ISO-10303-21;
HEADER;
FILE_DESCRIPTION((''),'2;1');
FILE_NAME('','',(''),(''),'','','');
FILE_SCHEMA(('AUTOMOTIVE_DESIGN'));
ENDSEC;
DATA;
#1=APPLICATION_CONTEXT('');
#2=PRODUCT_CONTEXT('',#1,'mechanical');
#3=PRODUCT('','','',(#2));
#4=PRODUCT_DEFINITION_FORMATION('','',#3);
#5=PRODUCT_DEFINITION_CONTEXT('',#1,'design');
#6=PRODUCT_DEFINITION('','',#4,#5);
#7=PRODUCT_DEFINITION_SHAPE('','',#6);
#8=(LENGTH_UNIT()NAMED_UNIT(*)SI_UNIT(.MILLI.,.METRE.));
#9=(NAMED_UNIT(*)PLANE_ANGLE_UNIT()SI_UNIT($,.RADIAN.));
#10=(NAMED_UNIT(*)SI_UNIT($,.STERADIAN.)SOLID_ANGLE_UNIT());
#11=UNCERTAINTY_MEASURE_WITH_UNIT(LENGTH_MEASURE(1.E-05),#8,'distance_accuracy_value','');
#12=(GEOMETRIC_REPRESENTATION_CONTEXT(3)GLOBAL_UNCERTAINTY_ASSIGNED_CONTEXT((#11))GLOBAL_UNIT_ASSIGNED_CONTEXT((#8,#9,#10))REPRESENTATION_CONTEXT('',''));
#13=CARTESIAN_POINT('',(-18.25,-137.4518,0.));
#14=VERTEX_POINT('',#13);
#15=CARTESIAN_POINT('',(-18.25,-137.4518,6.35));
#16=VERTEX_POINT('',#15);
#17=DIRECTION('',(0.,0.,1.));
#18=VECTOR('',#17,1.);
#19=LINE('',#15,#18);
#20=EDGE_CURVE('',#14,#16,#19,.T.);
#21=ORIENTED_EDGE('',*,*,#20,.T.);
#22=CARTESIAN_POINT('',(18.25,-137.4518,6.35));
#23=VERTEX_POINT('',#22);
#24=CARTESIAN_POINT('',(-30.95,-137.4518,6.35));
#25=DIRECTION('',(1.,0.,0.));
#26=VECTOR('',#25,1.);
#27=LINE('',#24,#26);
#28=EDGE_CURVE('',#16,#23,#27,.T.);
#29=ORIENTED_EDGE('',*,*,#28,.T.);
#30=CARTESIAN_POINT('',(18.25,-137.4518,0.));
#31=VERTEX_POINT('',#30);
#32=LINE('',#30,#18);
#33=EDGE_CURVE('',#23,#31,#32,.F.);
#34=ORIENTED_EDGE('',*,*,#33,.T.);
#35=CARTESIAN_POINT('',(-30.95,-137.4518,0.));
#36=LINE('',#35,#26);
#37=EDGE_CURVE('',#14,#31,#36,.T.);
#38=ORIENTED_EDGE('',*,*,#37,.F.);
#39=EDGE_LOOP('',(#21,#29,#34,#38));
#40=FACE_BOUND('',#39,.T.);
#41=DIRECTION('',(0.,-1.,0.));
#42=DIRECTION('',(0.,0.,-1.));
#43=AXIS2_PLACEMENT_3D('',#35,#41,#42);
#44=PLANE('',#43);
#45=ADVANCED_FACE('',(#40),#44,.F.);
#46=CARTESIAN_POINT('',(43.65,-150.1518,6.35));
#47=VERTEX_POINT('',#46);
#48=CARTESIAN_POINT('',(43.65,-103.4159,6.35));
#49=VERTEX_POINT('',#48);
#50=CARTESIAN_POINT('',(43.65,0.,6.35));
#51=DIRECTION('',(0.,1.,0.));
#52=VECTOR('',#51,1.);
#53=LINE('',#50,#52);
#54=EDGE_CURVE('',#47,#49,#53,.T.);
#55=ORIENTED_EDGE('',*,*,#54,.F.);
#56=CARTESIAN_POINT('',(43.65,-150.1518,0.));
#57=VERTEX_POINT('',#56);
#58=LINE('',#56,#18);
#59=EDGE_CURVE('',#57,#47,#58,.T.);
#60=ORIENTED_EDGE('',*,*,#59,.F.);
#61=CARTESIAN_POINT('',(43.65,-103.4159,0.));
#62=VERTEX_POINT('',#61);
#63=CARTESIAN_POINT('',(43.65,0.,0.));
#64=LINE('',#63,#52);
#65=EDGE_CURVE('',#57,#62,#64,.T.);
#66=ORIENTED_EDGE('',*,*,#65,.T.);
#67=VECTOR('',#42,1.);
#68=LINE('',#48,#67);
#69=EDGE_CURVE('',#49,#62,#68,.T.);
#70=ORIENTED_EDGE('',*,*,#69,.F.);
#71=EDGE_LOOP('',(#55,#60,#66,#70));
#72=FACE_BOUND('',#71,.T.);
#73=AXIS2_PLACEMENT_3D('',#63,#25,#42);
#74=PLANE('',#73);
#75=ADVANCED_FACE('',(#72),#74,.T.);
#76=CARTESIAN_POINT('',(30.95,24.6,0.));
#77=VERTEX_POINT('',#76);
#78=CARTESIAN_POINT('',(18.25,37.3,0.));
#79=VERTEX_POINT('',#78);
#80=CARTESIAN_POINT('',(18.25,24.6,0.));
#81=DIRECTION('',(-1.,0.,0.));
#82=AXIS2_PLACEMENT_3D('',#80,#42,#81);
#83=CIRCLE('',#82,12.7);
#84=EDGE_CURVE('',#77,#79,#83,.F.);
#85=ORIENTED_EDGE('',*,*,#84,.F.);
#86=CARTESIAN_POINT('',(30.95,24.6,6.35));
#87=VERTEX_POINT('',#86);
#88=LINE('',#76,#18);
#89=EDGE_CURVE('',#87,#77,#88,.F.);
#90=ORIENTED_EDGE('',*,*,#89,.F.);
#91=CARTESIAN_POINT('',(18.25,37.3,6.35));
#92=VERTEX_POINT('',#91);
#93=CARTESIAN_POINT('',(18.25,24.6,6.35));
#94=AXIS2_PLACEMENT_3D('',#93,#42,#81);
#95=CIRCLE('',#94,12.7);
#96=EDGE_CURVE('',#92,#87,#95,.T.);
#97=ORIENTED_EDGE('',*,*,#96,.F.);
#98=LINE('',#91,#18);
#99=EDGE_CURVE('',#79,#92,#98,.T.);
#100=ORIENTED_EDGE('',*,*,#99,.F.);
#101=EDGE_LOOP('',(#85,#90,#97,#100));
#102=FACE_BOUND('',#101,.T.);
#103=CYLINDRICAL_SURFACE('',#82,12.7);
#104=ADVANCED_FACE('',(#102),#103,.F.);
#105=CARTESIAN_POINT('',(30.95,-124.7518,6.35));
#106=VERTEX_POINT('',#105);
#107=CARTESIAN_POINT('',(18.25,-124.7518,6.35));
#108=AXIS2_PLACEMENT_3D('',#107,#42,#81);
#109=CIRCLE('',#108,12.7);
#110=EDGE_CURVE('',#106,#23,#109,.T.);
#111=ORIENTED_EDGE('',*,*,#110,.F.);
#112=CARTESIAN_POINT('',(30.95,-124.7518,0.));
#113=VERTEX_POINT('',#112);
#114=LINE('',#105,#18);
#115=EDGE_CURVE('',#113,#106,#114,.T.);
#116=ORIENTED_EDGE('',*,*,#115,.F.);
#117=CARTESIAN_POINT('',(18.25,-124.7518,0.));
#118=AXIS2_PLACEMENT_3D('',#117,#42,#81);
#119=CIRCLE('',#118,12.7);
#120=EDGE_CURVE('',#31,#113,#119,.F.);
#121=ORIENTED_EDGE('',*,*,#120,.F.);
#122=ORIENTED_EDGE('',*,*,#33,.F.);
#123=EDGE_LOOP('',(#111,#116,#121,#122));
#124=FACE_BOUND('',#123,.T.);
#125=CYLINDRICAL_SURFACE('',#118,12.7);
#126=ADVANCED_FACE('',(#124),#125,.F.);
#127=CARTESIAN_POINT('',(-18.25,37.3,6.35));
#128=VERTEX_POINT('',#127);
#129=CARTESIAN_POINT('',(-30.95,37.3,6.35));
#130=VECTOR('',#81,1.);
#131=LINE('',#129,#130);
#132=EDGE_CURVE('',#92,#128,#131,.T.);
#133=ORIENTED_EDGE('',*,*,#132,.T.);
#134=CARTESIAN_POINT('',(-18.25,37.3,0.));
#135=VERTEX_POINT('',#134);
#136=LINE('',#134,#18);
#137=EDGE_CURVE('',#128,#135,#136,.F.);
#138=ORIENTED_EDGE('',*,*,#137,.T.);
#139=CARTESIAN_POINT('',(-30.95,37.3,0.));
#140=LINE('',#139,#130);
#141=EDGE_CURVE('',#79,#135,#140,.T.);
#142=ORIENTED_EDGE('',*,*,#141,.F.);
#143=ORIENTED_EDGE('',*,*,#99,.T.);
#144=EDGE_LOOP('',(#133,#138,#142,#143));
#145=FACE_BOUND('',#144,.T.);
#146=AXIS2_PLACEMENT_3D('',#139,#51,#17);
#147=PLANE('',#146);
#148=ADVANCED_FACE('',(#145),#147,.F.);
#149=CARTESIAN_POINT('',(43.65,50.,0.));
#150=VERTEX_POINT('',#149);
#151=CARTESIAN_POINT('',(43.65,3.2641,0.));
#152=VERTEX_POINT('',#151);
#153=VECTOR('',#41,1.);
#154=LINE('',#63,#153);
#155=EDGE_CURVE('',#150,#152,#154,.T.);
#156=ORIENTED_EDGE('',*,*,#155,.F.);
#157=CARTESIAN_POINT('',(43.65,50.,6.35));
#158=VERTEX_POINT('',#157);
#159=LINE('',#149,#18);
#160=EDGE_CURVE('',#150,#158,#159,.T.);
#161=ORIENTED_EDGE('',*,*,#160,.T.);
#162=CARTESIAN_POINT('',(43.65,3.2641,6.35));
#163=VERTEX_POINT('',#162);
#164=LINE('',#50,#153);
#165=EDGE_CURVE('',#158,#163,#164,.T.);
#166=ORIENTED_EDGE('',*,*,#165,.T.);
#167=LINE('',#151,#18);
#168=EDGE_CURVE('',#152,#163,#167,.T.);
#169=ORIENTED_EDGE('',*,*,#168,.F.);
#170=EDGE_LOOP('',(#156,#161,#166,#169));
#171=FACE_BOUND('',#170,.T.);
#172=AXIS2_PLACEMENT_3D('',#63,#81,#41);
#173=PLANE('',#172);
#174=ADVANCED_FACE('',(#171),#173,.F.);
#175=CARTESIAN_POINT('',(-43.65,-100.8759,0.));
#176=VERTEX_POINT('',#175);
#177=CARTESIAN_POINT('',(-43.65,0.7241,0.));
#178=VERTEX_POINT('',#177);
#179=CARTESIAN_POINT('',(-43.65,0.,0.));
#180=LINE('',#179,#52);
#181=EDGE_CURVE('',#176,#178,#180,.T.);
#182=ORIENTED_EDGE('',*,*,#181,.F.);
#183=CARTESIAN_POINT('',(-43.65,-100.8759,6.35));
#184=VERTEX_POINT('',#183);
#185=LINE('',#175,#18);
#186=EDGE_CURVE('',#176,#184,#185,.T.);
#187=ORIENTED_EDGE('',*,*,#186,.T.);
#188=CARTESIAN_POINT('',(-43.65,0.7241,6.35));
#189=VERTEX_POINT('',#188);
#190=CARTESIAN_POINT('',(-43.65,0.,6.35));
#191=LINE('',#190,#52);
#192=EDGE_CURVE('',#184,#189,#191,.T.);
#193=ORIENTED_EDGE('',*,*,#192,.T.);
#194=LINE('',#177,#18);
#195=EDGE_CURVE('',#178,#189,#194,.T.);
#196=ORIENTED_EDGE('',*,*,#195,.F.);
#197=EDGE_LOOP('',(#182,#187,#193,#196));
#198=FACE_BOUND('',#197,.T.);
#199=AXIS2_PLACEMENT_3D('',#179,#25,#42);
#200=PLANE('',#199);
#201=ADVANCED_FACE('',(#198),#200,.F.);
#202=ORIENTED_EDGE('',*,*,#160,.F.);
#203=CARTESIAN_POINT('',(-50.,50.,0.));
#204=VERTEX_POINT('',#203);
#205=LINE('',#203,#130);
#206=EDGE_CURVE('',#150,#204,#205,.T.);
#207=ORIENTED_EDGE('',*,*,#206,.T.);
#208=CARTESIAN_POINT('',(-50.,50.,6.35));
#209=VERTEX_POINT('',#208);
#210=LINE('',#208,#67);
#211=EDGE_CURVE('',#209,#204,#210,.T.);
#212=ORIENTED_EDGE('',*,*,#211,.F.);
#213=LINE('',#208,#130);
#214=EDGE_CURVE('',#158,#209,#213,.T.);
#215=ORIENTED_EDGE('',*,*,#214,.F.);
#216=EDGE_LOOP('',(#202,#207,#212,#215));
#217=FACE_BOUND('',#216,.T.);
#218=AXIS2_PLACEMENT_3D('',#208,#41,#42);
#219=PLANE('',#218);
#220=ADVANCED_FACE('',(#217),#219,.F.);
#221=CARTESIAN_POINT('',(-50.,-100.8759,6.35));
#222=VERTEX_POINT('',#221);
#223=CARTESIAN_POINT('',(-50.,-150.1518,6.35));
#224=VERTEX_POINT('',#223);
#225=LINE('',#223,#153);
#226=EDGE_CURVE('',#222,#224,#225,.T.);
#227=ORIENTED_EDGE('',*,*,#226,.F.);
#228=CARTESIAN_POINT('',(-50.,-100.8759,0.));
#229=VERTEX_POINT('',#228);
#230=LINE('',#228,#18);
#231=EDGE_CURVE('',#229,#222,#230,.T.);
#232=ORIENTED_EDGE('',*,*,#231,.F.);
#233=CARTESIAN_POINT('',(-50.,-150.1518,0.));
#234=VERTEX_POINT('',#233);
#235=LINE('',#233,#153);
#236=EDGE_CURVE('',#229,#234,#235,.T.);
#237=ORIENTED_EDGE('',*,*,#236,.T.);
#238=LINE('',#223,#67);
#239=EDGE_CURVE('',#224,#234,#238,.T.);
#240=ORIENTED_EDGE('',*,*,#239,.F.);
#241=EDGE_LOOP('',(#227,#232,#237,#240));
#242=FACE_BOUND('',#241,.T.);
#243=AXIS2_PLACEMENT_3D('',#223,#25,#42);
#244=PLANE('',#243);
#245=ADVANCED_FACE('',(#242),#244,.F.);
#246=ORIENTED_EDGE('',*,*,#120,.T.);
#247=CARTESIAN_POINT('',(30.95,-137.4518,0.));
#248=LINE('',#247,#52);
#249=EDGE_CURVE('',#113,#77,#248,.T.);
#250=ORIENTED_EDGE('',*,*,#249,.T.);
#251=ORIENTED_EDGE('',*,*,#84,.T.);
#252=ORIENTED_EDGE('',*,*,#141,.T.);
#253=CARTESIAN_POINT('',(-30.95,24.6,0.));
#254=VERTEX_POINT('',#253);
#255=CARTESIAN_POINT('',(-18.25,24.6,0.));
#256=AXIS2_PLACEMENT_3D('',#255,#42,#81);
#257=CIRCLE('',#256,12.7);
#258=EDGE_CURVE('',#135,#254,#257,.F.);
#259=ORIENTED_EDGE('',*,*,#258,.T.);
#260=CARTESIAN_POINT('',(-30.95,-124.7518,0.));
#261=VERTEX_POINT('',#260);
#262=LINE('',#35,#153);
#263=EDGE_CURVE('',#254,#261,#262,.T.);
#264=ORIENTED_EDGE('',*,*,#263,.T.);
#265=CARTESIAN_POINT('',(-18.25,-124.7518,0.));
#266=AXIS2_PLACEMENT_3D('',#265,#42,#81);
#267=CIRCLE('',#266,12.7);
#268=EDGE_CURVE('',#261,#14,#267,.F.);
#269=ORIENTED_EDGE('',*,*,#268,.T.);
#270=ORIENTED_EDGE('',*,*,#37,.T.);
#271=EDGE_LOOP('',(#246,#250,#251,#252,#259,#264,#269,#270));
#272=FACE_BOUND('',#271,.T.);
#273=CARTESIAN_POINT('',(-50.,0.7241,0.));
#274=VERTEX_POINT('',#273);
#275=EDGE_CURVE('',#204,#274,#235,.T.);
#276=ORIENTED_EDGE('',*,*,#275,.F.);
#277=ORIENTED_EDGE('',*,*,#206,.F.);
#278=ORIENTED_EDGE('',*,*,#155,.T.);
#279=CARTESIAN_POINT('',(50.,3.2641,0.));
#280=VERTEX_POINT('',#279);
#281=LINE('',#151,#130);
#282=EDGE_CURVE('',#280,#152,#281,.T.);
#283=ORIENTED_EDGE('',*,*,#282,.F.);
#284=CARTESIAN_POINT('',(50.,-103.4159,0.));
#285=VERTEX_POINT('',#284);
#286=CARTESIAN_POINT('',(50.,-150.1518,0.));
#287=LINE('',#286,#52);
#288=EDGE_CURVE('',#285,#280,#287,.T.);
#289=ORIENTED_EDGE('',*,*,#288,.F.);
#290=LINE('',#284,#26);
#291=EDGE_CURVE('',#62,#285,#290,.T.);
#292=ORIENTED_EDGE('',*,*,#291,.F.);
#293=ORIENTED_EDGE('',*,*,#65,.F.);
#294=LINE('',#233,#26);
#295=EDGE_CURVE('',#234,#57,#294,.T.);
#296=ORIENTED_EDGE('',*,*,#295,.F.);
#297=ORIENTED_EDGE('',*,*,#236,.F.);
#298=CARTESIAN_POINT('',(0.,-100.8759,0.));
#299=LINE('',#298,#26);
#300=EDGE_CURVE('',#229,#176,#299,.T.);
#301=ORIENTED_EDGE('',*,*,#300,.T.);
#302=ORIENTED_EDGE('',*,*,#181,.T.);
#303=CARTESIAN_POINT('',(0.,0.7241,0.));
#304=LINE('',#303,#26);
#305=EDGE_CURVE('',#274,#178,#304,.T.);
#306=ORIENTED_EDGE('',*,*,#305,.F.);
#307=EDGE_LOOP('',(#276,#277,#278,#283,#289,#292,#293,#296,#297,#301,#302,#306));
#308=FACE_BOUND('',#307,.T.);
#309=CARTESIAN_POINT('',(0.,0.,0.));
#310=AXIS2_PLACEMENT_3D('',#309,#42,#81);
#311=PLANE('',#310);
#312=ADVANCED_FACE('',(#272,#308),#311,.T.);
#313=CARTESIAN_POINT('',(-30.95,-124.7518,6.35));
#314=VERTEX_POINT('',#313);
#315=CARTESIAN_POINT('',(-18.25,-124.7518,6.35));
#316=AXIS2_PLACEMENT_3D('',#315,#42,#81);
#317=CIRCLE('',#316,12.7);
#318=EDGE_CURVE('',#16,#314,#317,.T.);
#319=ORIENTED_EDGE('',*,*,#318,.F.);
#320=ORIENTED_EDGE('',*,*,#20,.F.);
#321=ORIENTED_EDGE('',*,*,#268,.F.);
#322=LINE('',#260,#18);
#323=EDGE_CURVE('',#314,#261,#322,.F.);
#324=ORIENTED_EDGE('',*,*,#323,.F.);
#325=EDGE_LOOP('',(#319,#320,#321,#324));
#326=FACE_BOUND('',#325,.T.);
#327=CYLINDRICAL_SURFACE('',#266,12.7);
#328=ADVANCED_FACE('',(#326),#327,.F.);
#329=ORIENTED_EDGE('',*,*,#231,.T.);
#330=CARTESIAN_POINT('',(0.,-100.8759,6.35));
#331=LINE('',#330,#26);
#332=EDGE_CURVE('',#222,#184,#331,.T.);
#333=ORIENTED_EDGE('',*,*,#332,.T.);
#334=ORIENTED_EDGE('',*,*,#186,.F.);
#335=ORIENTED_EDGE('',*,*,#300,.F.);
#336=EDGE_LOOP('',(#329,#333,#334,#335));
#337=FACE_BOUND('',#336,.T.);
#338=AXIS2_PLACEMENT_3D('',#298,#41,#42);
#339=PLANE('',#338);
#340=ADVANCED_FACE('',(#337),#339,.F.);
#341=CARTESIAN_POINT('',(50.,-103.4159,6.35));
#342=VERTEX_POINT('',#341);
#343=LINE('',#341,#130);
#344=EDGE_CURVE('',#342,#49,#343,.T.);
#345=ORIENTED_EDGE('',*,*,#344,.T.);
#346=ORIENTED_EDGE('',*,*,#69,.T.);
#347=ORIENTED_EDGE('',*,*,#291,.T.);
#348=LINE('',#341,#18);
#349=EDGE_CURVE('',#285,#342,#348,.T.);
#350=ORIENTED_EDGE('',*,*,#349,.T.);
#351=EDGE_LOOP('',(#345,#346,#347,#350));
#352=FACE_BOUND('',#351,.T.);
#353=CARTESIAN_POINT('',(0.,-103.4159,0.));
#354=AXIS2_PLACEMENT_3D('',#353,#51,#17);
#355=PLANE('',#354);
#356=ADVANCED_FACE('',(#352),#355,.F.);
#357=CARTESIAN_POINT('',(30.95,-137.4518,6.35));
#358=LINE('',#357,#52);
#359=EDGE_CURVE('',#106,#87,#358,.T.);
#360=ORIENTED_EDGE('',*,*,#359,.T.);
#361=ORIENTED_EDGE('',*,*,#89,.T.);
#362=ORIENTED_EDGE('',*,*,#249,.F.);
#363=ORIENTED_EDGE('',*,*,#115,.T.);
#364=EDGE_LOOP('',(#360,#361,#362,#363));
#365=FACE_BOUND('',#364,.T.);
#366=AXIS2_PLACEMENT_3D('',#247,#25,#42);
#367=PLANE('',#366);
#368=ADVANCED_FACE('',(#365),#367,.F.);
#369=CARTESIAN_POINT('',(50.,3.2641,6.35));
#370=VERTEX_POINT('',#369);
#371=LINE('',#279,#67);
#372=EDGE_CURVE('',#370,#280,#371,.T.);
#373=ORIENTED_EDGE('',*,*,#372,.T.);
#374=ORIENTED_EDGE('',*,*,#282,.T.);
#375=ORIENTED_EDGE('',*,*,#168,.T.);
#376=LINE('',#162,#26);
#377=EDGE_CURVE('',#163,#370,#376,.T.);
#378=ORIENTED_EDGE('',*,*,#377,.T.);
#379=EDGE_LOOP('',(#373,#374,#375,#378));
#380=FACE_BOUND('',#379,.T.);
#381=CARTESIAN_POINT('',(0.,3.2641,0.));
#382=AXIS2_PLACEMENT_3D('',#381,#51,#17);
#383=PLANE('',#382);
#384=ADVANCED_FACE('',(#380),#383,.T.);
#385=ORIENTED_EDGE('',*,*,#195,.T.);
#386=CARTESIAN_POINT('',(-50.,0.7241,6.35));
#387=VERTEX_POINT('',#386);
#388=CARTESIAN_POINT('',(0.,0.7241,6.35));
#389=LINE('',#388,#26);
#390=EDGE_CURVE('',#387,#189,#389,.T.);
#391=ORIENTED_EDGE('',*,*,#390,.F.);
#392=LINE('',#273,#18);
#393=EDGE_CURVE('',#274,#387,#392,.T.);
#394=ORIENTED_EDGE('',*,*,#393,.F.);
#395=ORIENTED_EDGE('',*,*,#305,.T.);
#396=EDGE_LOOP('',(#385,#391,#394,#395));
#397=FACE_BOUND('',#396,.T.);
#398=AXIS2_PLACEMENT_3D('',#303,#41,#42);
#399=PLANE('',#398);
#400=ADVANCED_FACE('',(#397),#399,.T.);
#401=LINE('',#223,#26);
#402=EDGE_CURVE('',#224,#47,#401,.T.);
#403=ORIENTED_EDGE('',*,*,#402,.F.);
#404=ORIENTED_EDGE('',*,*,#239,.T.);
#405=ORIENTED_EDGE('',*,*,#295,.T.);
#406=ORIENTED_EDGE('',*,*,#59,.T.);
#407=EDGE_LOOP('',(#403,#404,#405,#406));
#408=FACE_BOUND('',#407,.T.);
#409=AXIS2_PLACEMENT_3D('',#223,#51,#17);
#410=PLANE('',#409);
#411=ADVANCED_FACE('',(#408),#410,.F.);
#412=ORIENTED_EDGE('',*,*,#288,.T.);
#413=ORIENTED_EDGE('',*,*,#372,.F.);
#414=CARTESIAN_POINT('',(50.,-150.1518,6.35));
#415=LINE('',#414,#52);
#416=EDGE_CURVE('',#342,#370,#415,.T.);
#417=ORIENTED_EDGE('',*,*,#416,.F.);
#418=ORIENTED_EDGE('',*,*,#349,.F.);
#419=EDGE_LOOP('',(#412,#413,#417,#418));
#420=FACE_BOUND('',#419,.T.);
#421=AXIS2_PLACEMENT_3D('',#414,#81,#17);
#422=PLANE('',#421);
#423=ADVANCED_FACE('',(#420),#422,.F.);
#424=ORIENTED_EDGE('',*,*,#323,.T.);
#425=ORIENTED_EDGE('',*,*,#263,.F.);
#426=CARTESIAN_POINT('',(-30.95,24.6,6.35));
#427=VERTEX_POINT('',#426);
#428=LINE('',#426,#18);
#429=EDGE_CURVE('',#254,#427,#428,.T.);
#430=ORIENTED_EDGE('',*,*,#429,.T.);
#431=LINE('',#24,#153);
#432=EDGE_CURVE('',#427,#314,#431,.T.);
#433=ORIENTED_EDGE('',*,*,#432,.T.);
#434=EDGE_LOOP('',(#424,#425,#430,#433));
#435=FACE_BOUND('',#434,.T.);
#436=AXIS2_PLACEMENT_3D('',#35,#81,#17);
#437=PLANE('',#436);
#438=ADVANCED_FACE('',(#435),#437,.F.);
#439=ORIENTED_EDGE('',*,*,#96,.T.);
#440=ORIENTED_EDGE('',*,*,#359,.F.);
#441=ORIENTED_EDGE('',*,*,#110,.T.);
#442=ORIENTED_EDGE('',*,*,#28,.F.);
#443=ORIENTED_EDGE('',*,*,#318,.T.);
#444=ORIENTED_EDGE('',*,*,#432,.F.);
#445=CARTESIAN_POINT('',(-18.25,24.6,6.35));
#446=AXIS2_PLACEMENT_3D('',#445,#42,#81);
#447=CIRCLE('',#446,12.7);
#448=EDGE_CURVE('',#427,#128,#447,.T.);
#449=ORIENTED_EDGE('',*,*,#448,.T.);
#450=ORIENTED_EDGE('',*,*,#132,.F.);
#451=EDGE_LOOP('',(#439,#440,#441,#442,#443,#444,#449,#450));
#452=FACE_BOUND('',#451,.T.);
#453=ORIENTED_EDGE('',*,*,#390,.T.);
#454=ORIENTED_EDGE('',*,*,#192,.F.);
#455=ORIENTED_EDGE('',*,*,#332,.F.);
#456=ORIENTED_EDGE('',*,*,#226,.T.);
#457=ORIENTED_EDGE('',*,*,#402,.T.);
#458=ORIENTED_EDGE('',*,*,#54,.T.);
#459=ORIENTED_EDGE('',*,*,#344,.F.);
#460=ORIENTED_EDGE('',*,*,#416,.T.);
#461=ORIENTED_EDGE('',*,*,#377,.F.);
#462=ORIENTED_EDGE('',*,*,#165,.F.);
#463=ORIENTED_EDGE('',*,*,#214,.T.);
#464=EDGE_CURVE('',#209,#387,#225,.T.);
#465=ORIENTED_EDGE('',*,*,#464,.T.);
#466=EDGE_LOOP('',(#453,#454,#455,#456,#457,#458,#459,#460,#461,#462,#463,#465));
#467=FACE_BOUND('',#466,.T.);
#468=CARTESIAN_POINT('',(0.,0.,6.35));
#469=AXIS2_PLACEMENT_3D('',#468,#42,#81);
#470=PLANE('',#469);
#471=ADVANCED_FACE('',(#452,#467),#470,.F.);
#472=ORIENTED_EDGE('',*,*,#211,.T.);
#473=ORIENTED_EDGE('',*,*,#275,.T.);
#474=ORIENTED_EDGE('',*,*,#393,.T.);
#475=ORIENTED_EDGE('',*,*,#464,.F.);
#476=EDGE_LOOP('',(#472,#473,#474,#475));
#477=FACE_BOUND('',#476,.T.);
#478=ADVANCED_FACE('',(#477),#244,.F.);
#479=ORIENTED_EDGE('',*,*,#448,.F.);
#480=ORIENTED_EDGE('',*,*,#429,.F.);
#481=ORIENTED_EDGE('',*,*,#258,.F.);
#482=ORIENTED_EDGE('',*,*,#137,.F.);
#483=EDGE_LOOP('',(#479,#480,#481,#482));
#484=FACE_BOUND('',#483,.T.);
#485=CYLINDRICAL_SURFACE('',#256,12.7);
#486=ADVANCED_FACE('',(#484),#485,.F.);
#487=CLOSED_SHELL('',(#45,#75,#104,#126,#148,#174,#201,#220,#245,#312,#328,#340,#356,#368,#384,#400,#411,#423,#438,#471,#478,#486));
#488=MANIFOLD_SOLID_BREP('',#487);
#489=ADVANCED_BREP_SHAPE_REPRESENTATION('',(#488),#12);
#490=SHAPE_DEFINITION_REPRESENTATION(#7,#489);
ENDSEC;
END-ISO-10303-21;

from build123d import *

# Parameters (mm, degrees)
SKETCH1_W           = 100
SKETCH1_H           = 200.1518
BOSS_EXTRUDE1_DEPTH = 6.35
SKETCH2_W           = 6.35
SKETCH2_H           = 50.8
SKETCH2_H_2         = 49.2759
CUT_EXTRUDE1_DEPTH  = 6.35
SKETCH3_W           = 61.9
SKETCH3_H           = 174.7518
CUT_EXTRUDE2_DEPTH  = 6.35
FILLET1_R           = 12.7
SKETCH6_W           = 6.35
SKETCH6_H           = 6.35
BOSS_EXTRUDE2_DEPTH = 2.54
SKETCH7_W           = 6.35
SKETCH7_H           = 6.35
BOSS_EXTRUDE3_DEPTH = 2.54


with BuildPart() as part:
    # Sketch1 → Boss-Extrude1 (new body)
    with BuildSketch(Plane.XY):
        with Locations((0, -50.0759)):
            Rectangle(SKETCH1_W, SKETCH1_H)
    extrude(amount=BOSS_EXTRUDE1_DEPTH)

    # Sketch2 → Cut-Extrude1 (cut)
    with BuildSketch(Plane.XY.offset(6.35)):
        with Locations((-46.825, -24.6759)):
            Rectangle(SKETCH2_W, SKETCH2_H)
        with Locations((-46.825, -75.4759)):
            Rectangle(SKETCH2_W, SKETCH2_H)
        with Locations((46.825, 25.36205)):
            Rectangle(SKETCH2_W, SKETCH2_H_2)
        with Locations((46.825, -125.51385)):
            Rectangle(SKETCH2_W, SKETCH2_H_2)
    extrude(amount=-CUT_EXTRUDE1_DEPTH, mode=Mode.SUBTRACT)

    # Sketch3 → Cut-Extrude2 (cut)
    with BuildSketch(Plane.XY.offset(6.35)):
        with Locations((0, -50.0759)):
            Rectangle(SKETCH3_W, SKETCH3_H)
    extrude(amount=-CUT_EXTRUDE2_DEPTH, mode=Mode.SUBTRACT)

    # Fillet1
    fillet1_edges = [part.edges().sort_by_distance(p)[0] for p in [
        (-30.95, -137.4518, 3.175),
        (-30.95, 37.3, 3.175),
        (30.95, 37.3, 3.175),
        (30.95, -137.4518, 3.175),
    ]]
    fillet(fillet1_edges, radius=FILLET1_R)

    # Sketch6 → Boss-Extrude2 (add)
    with BuildSketch(Plane(origin=(0, 0.7241, 0), x_dir=(1, 0, 0), z_dir=(0, 1, 0))):
        with Locations((46.825, -3.175)):
            Rectangle(SKETCH6_W, SKETCH6_H)
    extrude(amount=BOSS_EXTRUDE2_DEPTH)

    # Sketch7 → Boss-Extrude3 (add)
    with BuildSketch(Plane.XZ.offset(100.8759)):
        with Locations((46.825, 3.175)):
            Rectangle(SKETCH7_W, SKETCH7_H)
    extrude(amount=BOSS_EXTRUDE3_DEPTH)


solid = part.part
